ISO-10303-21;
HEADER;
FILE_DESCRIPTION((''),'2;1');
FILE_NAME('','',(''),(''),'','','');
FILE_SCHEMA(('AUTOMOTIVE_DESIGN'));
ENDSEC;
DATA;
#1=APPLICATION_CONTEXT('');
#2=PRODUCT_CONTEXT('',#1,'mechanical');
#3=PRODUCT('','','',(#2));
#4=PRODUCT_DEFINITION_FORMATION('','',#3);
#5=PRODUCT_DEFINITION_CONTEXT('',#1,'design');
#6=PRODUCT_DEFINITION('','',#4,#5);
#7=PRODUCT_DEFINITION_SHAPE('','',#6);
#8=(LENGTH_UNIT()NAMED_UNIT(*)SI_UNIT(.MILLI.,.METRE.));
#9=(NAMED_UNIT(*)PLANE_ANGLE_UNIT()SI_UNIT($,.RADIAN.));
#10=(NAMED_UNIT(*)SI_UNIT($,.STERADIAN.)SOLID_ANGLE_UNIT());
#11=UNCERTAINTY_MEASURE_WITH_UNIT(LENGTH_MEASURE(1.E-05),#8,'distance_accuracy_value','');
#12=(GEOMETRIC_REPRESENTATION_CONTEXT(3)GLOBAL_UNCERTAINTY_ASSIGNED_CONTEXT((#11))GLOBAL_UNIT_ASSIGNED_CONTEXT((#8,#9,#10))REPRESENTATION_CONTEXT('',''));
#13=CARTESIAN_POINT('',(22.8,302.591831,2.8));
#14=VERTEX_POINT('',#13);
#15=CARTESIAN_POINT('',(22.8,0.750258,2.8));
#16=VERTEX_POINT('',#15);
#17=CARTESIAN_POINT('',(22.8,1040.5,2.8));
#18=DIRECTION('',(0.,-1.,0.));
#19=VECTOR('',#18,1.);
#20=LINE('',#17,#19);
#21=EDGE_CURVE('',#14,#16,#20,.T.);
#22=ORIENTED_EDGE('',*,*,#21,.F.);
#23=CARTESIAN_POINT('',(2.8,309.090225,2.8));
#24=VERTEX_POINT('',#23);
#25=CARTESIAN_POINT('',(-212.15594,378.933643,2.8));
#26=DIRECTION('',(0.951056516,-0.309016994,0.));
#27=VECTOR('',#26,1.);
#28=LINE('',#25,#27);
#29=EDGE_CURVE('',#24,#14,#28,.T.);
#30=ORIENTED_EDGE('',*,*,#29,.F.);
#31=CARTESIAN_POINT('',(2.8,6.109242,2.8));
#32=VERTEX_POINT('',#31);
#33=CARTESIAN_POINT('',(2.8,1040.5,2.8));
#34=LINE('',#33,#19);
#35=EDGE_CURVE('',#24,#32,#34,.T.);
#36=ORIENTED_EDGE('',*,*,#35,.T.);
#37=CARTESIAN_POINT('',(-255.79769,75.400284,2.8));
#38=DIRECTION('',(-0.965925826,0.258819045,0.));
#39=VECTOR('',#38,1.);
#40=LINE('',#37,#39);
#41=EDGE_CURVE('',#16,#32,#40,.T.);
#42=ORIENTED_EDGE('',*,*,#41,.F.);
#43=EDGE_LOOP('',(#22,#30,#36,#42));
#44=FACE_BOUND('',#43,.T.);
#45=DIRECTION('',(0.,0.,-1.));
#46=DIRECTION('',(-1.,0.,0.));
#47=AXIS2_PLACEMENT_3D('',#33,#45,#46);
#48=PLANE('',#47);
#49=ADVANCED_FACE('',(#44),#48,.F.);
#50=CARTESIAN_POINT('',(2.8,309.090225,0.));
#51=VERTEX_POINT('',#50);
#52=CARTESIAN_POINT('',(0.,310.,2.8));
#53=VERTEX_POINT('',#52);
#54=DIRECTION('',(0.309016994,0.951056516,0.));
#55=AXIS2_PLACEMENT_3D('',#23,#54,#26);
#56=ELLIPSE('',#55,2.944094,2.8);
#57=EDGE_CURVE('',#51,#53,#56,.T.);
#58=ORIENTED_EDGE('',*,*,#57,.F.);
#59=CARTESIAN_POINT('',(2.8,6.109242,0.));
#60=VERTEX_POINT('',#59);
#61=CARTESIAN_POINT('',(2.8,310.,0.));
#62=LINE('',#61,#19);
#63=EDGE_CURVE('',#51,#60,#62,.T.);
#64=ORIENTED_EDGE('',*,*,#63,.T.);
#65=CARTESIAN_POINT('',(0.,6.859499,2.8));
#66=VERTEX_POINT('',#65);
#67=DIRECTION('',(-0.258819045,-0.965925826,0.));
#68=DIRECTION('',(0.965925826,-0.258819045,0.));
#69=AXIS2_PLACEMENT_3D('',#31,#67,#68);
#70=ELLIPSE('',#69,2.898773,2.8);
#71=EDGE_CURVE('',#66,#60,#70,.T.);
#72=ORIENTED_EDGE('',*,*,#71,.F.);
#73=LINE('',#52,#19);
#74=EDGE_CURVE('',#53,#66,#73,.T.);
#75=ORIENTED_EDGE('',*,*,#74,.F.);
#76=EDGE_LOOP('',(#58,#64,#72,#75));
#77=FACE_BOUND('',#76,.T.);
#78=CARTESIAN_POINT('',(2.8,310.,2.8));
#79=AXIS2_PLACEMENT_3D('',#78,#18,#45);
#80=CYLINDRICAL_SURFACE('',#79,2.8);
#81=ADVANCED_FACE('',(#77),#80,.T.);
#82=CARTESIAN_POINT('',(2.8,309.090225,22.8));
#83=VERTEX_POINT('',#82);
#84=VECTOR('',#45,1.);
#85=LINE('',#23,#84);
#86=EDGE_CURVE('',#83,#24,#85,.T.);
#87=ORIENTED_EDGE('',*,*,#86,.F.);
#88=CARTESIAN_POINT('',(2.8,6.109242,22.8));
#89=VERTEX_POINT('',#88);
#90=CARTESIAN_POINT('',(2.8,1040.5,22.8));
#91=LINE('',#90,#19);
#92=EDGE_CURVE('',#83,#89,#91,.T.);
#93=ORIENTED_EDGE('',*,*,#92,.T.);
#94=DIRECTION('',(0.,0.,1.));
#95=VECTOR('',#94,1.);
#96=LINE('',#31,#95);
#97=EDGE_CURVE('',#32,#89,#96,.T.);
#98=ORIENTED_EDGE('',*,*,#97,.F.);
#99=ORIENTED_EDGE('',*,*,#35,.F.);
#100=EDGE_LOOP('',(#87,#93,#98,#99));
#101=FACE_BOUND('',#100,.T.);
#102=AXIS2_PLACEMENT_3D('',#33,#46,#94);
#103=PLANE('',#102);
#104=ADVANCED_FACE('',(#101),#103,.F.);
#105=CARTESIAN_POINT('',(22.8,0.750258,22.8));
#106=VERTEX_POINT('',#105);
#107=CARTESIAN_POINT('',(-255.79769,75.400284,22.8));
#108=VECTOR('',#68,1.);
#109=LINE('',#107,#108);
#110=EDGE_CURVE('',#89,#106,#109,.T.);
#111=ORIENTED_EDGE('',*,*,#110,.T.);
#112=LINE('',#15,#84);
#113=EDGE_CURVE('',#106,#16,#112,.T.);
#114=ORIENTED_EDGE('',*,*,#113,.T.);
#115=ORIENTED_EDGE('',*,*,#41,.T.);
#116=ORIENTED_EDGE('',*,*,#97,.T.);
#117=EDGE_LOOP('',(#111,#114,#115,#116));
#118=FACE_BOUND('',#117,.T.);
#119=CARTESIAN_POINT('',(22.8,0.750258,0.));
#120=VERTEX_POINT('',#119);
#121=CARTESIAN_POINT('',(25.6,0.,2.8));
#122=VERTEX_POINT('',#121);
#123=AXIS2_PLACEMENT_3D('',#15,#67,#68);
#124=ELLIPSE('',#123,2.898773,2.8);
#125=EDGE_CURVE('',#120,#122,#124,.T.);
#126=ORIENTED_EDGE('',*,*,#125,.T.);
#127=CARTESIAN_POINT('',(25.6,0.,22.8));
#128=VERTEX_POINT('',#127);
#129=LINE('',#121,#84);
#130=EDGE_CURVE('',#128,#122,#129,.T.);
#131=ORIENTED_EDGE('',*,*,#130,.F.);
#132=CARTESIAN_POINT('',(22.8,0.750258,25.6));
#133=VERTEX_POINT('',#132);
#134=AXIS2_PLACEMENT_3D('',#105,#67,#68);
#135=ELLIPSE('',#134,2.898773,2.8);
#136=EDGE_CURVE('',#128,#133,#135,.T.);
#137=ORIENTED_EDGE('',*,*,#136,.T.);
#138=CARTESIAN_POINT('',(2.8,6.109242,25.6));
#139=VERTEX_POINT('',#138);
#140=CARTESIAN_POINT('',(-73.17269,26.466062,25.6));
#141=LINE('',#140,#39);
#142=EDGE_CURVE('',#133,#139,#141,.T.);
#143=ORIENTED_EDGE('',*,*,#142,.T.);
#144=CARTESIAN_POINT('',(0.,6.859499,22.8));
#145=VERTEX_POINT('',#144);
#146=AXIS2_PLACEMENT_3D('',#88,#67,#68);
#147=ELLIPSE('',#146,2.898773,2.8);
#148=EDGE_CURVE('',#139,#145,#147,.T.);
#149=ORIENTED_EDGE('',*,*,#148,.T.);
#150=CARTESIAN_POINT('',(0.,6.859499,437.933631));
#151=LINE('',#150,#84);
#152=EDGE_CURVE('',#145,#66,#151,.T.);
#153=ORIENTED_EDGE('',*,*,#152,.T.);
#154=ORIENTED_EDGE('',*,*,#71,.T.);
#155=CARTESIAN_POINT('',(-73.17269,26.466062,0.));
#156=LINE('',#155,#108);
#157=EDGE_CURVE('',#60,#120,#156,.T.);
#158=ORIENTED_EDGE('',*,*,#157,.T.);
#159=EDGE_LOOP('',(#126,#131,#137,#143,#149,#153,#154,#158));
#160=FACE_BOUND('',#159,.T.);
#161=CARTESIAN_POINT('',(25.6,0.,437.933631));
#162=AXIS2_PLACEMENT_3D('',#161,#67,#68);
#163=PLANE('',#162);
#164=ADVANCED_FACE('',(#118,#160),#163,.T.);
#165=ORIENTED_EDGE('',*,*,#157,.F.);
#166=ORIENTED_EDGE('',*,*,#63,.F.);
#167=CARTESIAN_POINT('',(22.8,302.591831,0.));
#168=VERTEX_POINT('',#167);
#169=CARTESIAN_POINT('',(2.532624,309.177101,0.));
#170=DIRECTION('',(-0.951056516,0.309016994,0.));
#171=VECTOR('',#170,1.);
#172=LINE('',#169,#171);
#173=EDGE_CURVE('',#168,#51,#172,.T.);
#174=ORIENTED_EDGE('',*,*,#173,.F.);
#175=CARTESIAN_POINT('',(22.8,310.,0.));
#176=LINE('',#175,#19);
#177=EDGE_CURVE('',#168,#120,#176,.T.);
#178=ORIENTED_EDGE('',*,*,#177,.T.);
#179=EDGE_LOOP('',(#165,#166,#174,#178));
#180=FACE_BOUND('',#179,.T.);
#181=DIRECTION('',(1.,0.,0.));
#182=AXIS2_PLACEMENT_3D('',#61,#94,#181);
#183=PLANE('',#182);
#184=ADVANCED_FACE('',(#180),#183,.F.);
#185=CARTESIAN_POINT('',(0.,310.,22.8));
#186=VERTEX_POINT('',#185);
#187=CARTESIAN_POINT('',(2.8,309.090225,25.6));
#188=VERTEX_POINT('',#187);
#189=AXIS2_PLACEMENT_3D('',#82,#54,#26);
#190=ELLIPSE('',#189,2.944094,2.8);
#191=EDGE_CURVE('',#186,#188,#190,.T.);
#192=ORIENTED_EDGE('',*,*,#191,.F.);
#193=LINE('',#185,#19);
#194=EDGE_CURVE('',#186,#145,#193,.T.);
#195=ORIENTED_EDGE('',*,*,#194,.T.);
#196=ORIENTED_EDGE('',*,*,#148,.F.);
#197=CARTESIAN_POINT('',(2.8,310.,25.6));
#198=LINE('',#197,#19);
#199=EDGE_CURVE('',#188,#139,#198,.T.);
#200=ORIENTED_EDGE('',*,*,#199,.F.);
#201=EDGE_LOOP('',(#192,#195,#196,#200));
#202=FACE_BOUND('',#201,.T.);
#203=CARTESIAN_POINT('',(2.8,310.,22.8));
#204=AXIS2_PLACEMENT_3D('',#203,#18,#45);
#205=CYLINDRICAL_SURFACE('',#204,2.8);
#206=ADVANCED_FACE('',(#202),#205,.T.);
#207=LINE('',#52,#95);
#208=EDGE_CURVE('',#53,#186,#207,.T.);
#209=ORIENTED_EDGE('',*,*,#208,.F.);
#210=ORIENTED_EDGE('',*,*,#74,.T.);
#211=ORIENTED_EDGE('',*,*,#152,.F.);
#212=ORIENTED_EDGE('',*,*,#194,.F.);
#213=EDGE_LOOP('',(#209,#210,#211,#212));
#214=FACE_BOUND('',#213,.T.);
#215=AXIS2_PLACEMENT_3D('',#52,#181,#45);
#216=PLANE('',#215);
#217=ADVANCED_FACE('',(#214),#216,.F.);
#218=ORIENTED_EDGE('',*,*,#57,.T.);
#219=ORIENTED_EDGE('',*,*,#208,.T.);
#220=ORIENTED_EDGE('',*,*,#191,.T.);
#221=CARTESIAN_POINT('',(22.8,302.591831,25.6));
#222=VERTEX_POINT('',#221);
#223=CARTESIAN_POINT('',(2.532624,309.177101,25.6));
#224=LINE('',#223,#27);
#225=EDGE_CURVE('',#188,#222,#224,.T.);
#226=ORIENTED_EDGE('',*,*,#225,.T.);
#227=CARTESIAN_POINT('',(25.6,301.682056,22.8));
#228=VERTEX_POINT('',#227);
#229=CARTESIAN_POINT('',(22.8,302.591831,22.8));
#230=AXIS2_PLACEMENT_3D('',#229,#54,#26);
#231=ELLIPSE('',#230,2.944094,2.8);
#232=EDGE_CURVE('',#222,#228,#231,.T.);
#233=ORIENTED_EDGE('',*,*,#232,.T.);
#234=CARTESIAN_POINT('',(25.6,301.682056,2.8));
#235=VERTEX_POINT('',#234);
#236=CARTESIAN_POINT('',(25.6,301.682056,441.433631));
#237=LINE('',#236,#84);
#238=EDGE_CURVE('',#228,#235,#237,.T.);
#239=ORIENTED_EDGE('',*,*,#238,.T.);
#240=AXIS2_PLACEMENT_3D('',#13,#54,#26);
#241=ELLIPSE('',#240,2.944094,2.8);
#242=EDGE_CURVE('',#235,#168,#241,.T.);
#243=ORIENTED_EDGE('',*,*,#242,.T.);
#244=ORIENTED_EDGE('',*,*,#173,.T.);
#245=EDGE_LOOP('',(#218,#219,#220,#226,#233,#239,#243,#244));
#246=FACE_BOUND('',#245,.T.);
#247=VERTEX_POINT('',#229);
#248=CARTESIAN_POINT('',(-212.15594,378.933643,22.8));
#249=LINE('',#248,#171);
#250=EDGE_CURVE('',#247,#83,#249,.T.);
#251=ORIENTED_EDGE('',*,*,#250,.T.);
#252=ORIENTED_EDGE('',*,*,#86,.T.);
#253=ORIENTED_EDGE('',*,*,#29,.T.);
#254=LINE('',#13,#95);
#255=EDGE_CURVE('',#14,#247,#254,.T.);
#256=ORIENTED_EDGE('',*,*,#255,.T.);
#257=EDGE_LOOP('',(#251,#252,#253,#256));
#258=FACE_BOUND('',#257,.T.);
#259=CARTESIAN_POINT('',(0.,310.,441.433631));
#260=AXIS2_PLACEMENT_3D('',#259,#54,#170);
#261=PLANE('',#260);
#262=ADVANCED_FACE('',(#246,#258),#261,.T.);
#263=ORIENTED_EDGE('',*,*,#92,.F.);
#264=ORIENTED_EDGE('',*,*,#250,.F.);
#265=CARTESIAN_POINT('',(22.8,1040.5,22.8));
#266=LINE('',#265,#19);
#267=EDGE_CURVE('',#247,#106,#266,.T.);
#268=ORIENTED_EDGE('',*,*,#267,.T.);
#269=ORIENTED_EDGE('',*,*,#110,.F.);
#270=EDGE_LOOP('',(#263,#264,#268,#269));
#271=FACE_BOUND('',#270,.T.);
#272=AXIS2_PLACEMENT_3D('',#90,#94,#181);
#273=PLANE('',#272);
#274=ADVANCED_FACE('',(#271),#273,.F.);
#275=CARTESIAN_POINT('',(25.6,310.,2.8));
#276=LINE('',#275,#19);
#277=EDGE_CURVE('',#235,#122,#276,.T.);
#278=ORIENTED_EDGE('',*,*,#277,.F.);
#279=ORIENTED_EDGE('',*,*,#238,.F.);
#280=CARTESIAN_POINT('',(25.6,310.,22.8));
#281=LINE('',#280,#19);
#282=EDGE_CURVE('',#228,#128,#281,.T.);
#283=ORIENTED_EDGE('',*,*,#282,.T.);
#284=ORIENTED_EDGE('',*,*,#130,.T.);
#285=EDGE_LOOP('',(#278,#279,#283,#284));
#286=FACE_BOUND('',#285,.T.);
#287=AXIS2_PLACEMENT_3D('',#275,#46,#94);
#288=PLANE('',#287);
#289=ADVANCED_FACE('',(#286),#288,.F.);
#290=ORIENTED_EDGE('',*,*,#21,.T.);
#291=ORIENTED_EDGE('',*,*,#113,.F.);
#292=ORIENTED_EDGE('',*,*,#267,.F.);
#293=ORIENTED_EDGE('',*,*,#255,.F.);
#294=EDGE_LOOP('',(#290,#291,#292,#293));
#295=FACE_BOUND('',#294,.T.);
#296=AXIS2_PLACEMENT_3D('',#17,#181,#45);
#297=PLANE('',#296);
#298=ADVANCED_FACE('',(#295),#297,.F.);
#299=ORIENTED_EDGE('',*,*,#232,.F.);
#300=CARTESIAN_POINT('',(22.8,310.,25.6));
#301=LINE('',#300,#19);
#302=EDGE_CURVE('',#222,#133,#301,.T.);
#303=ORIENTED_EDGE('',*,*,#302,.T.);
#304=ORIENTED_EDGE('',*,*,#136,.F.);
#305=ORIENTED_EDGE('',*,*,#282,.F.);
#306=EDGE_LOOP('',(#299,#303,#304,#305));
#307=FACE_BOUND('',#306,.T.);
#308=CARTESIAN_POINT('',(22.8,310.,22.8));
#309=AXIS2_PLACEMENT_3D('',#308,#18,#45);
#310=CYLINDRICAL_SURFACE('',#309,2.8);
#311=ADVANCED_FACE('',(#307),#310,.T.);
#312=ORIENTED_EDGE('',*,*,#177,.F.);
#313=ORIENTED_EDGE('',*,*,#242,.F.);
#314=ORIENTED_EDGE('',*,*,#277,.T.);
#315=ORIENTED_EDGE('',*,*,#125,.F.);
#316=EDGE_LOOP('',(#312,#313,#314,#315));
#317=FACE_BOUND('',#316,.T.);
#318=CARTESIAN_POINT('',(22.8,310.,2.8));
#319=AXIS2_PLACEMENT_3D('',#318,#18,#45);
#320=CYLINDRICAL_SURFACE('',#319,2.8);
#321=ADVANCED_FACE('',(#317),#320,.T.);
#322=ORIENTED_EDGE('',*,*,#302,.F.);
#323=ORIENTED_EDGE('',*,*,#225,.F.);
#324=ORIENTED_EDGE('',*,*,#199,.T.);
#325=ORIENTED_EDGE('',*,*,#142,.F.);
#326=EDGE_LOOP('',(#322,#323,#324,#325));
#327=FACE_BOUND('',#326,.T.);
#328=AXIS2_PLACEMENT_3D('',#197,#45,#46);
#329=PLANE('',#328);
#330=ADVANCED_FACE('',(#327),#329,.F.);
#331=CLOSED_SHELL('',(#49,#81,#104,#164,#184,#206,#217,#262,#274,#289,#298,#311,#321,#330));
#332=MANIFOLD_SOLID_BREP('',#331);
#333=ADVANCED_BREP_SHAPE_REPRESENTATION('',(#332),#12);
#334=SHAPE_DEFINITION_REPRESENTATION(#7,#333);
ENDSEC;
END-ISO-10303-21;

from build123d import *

# Parameters (mm, degrees)
BOSS_EXTRUDE1_DEPTH     = 310
SKETCH3_W               = 20
SKETCH3_H               = 20
CUT_EXTRUDE1_DEPTH      = 1040.5
CUT_EXTRUDE2_DEPTH      = 312.889724101
CUT_EXTRUDE2_DEPTH_BACK = 312.889724101
CUT_EXTRUDE3_DEPTH      = 312.889724101
CUT_EXTRUDE3_DEPTH_BACK = 312.889724101


with BuildPart() as part:
    # Sketch1 → Boss-Extrude1 (new body)
    with BuildSketch(Plane(origin=(0, 0, 0), x_dir=(1, 0, 0), z_dir=(0, 1, 0))):
        with BuildLine():
            Line((2.8, 0), (22.8, 0))
            ThreePointArc((22.8, 0), (24.779898987, -0.820101013), (25.6, -2.8))
            Line((25.6, -2.8), (25.6, -22.8))
            ThreePointArc((25.6, -22.8), (24.779898987, -24.779898987), (22.8, -25.6))
            Line((22.8, -25.6), (2.8, -25.6))
            ThreePointArc((2.8, -25.6), (0.820101013, -24.779898987), (0, -22.8))
            Line((0, -22.8), (0, -2.8))
            ThreePointArc((0, -2.8), (0.820101013, -0.820101013), (2.8, 0))
        make_face()
    extrude(amount=BOSS_EXTRUDE1_DEPTH)

    # Sketch3 → Cut-Extrude1 (cut)
    with BuildSketch(Plane(origin=(0, 0, 0), x_dir=(-1, 0, 0), z_dir=(0, -1, 0))):
        with Locations((-12.8, -12.8)):
            Rectangle(SKETCH3_W, SKETCH3_H)
    extrude(amount=-CUT_EXTRUDE1_DEPTH, mode=Mode.SUBTRACT)

    # Sketch4 → Cut-Extrude2 (cut, two sides: drawn at the far end of the back side and taken through both)
    with BuildSketch(Plane.XY.offset(22.8).offset(-CUT_EXTRUDE2_DEPTH_BACK)):
        Polygon((-601.172783894, 505.332878326), (0, 310), (25.6, 301.682055776), (626.772783894, 106.34917745), (1017.438540547, 1308.694745238), (-210.507027241, 1707.678446114), align=None)
    extrude(amount=CUT_EXTRUDE2_DEPTH + CUT_EXTRUDE2_DEPTH_BACK, mode=Mode.SUBTRACT)

    # Sketch5 → Cut-Extrude3 (cut, two sides: drawn at the far end of the back side and taken through both)
    with BuildSketch(Plane.XY.offset(22.8).offset(-CUT_EXTRUDE3_DEPTH_BACK)):
        Polygon((636.17183046, -163.602228893), (25.6, 0), (0, 6.859499326), (-610.57183046, 170.461728219), (-937.776288246, -1050.681932701), (308.967372674, -1384.745889813), align=None)
    extrude(amount=CUT_EXTRUDE3_DEPTH + CUT_EXTRUDE3_DEPTH_BACK, mode=Mode.SUBTRACT)


solid = part.part
